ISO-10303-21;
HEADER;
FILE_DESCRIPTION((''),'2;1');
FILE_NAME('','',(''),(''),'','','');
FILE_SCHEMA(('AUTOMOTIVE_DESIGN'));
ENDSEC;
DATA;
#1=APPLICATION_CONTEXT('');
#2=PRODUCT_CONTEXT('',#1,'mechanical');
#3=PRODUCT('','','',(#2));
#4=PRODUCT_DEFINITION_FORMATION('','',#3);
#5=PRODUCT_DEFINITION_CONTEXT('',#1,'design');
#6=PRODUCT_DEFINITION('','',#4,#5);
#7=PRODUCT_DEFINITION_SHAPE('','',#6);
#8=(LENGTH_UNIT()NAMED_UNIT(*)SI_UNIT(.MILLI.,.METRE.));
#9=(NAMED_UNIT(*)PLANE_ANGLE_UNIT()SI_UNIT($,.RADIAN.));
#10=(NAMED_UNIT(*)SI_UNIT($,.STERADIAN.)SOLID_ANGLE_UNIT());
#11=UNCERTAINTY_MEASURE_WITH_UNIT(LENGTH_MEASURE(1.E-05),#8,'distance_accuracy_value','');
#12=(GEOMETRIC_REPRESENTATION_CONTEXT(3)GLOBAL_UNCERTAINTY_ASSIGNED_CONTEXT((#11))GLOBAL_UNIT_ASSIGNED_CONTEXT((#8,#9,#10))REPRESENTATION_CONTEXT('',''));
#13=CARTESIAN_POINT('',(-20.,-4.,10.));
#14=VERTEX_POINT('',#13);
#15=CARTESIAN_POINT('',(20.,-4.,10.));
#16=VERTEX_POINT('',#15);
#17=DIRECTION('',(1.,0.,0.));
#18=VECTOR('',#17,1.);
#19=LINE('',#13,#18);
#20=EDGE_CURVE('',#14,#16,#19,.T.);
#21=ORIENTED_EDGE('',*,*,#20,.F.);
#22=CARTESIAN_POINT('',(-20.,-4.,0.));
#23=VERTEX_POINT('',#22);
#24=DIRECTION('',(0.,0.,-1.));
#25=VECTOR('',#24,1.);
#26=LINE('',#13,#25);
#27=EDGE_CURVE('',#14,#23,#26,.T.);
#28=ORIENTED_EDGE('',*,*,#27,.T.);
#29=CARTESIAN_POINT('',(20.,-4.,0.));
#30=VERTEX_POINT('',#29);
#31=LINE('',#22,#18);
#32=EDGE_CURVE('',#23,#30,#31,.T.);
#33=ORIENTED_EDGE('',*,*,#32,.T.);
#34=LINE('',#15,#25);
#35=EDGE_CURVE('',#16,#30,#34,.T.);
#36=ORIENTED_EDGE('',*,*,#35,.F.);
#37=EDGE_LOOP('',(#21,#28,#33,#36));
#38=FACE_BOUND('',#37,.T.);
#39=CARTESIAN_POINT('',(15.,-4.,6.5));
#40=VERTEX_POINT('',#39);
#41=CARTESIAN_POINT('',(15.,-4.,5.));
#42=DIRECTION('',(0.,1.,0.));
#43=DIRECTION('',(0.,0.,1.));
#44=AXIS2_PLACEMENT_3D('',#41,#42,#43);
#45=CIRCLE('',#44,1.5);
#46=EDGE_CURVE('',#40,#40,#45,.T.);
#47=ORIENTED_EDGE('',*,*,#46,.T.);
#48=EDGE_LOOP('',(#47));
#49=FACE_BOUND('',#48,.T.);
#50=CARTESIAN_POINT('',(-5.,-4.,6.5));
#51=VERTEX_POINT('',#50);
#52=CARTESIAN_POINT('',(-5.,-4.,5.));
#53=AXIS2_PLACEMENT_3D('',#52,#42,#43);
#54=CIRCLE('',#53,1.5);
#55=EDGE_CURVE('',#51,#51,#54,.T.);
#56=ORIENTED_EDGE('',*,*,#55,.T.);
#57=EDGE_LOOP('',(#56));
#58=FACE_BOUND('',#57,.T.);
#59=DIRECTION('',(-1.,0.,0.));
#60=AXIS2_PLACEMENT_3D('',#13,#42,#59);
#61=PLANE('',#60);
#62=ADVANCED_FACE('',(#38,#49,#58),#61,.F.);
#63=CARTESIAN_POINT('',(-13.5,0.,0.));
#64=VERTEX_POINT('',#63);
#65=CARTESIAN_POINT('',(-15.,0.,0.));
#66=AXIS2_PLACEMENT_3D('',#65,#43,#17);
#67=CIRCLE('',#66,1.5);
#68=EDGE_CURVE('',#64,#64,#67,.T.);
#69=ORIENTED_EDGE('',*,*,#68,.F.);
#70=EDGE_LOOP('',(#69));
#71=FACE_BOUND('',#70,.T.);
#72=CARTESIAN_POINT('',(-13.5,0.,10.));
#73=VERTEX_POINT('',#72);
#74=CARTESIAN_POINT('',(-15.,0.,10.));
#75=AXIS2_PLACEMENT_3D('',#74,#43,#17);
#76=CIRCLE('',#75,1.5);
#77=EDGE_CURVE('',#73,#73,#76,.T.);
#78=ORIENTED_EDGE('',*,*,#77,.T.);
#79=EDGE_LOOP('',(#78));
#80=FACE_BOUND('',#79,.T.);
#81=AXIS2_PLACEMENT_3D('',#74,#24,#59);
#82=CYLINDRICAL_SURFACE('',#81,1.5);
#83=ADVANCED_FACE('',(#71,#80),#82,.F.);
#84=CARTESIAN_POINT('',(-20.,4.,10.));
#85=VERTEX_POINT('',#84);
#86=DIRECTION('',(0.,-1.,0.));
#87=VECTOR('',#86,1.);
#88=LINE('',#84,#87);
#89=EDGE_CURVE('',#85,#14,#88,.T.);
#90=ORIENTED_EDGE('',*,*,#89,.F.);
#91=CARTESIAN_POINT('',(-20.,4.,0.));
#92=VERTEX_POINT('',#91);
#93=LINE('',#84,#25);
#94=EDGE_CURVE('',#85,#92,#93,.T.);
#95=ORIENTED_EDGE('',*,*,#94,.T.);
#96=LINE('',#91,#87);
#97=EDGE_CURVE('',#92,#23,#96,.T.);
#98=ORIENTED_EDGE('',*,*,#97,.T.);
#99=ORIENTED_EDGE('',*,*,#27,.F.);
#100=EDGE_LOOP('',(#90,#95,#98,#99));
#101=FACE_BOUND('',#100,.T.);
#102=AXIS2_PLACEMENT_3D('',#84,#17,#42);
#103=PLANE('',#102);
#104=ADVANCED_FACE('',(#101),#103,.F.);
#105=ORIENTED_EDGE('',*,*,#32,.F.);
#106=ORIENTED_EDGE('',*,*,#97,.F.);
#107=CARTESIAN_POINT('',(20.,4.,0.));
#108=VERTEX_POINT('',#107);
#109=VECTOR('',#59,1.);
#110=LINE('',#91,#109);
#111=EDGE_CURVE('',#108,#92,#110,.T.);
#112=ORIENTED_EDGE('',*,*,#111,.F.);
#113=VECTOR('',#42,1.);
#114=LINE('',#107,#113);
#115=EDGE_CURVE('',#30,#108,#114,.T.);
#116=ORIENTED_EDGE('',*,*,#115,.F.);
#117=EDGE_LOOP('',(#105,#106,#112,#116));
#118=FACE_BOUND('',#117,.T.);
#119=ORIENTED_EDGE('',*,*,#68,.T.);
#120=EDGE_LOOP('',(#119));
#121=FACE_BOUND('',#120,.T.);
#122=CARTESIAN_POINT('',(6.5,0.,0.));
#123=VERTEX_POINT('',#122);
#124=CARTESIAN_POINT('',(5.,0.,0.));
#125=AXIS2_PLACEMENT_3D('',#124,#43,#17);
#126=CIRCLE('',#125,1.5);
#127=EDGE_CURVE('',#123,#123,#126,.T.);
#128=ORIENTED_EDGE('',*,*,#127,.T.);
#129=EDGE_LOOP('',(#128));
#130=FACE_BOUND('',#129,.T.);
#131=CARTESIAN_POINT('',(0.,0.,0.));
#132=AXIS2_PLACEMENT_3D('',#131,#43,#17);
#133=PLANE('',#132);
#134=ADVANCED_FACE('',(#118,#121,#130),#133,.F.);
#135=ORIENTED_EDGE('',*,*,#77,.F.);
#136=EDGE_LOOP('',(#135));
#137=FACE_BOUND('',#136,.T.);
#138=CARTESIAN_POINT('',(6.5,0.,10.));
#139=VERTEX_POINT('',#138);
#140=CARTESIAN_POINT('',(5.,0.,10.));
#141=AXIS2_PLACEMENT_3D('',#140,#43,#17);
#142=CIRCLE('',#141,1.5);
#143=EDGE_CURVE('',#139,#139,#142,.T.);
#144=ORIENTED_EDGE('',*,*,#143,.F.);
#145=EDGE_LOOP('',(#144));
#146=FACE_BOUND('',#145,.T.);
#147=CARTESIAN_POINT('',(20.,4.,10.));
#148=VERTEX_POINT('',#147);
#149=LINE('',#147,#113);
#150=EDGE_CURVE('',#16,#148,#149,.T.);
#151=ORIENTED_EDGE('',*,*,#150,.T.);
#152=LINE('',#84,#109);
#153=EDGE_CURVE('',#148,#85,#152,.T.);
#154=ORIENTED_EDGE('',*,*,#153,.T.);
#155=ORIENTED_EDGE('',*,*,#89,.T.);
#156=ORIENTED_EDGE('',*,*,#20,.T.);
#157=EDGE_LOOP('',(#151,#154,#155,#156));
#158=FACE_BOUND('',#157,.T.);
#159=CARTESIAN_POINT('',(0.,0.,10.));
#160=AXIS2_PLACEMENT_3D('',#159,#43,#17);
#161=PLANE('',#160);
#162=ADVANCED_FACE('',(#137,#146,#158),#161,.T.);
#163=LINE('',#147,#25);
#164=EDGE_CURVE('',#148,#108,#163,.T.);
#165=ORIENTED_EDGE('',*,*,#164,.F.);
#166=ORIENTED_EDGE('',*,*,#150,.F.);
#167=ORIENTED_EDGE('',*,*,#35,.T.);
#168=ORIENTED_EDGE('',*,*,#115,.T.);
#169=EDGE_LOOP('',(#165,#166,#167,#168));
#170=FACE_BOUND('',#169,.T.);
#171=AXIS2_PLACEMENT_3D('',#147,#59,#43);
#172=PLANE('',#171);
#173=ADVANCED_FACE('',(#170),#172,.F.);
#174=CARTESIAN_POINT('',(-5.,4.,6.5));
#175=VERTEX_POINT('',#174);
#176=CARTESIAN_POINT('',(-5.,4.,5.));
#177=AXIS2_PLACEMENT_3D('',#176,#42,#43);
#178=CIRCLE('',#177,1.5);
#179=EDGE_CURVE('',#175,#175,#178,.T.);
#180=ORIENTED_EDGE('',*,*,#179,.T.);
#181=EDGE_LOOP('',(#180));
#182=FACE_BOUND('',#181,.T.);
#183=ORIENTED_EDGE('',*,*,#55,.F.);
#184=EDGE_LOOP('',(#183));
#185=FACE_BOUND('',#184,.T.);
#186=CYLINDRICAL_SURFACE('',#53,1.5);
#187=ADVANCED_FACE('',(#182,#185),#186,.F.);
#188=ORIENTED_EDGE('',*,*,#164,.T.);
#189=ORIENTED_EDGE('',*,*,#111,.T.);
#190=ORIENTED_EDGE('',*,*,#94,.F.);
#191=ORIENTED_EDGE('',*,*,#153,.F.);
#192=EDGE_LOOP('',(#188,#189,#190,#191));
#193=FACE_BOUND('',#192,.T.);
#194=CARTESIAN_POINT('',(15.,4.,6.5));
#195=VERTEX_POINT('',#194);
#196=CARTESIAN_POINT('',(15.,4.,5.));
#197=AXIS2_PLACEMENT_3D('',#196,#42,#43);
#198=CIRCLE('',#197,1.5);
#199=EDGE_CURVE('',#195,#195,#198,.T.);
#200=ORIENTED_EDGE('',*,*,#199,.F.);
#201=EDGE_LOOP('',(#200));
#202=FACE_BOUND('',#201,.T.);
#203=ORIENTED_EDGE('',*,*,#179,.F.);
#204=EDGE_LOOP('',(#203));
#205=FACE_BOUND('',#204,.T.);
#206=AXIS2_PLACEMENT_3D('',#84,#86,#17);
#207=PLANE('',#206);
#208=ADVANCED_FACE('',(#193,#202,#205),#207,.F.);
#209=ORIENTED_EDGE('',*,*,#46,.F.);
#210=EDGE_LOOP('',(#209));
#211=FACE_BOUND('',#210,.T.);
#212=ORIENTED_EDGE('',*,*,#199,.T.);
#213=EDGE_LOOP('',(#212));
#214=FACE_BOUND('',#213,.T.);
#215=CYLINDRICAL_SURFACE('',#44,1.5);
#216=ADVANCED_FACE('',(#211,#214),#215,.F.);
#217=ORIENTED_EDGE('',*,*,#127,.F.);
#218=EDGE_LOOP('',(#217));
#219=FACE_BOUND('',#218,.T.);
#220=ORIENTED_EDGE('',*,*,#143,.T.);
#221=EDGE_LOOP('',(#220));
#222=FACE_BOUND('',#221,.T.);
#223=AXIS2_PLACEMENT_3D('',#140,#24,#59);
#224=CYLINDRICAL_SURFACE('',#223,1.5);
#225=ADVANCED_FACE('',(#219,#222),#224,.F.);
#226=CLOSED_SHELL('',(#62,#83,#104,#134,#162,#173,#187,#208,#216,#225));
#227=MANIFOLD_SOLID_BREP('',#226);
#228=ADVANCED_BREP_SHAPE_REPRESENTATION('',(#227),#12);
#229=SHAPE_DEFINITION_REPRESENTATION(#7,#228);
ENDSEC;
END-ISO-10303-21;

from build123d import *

# Parameters (mm, degrees)
SKETCH_1_W          = 40
SKETCH_1_H          = 8
SKETCH_1_R          = 1.5
EXTRUDE_1_DEPTH     = 10
SKETCH_2_R          = 1.5
CUT_EXTRUDE_5_DEPTH = 9


with BuildPart() as part:
    # 草图1 → 凸台-拉伸1 (new body)
    with BuildSketch(Plane.XY):
        Rectangle(SKETCH_1_W, SKETCH_1_H)
        with Locations((-15, 0)):
            Circle(SKETCH_1_R, mode=Mode.SUBTRACT)
        with Locations((5, 0)):
            Circle(SKETCH_1_R, mode=Mode.SUBTRACT)
    extrude(amount=EXTRUDE_1_DEPTH)

    # 草图2 → 切除-拉伸5 (cut, through all)
    with BuildSketch(Plane(origin=(0, 4, 0), x_dir=(1, 0, 0), z_dir=(0, 1, 0))):
        with Locations((15, -5)):
            Circle(SKETCH_2_R)
        with Locations((-5, -5)):
            Circle(SKETCH_2_R)
    extrude(amount=-CUT_EXTRUDE_5_DEPTH, mode=Mode.SUBTRACT)


solid = part.part
